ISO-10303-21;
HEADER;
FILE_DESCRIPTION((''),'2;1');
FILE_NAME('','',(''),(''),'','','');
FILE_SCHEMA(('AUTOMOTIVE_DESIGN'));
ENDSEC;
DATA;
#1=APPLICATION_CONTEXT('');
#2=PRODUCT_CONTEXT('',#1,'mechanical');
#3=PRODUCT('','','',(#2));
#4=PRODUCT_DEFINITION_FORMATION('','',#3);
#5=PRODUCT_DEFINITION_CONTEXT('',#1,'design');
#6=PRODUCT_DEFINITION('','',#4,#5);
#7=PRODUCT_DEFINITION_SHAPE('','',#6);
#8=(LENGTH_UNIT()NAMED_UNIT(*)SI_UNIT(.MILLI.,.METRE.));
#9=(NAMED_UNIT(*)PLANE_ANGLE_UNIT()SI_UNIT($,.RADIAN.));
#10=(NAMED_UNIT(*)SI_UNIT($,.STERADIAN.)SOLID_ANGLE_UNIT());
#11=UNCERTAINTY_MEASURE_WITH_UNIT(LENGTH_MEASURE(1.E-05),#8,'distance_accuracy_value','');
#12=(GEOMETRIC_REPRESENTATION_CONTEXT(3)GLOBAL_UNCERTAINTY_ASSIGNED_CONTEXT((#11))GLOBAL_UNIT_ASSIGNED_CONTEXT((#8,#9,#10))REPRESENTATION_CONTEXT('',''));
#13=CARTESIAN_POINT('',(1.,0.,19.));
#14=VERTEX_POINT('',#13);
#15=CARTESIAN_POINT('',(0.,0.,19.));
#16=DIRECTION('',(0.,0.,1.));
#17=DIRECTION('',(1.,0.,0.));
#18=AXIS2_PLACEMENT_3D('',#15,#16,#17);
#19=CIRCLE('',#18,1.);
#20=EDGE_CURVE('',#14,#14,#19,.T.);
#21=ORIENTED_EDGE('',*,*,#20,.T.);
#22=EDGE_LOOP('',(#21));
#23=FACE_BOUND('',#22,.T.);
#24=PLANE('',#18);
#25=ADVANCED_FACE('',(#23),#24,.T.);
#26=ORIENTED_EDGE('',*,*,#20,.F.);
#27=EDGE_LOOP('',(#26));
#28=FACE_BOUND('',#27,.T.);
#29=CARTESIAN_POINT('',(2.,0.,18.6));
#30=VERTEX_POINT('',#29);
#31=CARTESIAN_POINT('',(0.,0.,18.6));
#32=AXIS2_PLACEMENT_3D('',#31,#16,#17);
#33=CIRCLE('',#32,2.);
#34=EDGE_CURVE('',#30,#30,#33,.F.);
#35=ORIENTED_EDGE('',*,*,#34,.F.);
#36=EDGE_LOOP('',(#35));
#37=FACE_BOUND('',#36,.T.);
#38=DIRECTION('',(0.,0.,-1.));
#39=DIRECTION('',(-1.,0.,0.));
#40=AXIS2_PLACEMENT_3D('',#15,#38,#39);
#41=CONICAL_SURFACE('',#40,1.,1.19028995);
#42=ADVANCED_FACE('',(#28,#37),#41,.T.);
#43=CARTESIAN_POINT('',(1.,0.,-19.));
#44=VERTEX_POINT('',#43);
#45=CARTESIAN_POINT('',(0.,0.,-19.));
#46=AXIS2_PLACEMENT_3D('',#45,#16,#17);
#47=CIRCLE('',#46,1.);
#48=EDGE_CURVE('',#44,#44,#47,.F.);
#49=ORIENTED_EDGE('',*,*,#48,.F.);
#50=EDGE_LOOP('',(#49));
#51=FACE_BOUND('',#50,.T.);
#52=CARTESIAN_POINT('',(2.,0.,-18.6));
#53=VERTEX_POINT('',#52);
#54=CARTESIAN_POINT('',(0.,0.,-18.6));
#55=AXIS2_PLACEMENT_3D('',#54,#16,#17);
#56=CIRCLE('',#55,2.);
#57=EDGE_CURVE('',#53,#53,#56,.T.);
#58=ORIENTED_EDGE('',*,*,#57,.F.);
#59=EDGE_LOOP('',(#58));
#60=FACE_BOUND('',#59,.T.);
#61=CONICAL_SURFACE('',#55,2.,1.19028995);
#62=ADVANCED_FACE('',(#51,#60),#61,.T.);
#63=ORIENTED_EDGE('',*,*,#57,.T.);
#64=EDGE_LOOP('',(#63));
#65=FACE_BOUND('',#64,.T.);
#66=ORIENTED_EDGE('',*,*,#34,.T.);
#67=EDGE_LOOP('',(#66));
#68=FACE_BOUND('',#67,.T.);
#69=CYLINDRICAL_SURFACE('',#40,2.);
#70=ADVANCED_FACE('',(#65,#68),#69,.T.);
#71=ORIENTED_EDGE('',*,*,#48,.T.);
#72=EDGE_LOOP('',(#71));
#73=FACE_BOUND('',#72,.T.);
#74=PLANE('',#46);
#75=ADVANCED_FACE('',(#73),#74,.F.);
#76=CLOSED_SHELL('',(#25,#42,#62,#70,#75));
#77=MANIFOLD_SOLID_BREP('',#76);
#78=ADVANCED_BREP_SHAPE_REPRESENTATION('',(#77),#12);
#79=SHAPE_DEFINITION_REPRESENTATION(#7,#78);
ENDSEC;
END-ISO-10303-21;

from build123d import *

# Parameters (mm, degrees)
SKETCH_1_R      = 2
EXTRUDE_1_DEPTH = 19
CHAMFER_1_SIZE  = 0.4
CHAMFER_1_SIZE2 = 1
CHAMFER_2_SIZE  = 1
CHAMFER_2_SIZE2 = 0.4


with BuildPart() as part:
    # 草图1 → 拉伸1 (new, symmetric)
    with BuildSketch(Plane.XY):
        Circle(SKETCH_1_R)
    extrude(amount=EXTRUDE_1_DEPTH, both=True)

    # 倒角1
    chamfer_1_edges = [part.edges().sort_by_distance(p)[0] for p in [
        (-2, 0, 19),
    ]]
    chamfer_1_side = [part.faces().sort_by_distance(p)[0] for p in [
        (-2, 0, 0),
    ]]
    chamfer(chamfer_1_edges, length=CHAMFER_1_SIZE, length2=CHAMFER_1_SIZE2, reference=chamfer_1_side[0])

    # 倒角2
    chamfer_2_edges = [part.edges().sort_by_distance(p)[0] for p in [
        (-2, 0, -19),
    ]]
    chamfer_2_side = [part.faces().sort_by_distance(p)[0] for p in [
        (0, 0, -19),
    ]]
    chamfer(chamfer_2_edges, length=CHAMFER_2_SIZE, length2=CHAMFER_2_SIZE2, reference=chamfer_2_side[0])


solid = part.part
